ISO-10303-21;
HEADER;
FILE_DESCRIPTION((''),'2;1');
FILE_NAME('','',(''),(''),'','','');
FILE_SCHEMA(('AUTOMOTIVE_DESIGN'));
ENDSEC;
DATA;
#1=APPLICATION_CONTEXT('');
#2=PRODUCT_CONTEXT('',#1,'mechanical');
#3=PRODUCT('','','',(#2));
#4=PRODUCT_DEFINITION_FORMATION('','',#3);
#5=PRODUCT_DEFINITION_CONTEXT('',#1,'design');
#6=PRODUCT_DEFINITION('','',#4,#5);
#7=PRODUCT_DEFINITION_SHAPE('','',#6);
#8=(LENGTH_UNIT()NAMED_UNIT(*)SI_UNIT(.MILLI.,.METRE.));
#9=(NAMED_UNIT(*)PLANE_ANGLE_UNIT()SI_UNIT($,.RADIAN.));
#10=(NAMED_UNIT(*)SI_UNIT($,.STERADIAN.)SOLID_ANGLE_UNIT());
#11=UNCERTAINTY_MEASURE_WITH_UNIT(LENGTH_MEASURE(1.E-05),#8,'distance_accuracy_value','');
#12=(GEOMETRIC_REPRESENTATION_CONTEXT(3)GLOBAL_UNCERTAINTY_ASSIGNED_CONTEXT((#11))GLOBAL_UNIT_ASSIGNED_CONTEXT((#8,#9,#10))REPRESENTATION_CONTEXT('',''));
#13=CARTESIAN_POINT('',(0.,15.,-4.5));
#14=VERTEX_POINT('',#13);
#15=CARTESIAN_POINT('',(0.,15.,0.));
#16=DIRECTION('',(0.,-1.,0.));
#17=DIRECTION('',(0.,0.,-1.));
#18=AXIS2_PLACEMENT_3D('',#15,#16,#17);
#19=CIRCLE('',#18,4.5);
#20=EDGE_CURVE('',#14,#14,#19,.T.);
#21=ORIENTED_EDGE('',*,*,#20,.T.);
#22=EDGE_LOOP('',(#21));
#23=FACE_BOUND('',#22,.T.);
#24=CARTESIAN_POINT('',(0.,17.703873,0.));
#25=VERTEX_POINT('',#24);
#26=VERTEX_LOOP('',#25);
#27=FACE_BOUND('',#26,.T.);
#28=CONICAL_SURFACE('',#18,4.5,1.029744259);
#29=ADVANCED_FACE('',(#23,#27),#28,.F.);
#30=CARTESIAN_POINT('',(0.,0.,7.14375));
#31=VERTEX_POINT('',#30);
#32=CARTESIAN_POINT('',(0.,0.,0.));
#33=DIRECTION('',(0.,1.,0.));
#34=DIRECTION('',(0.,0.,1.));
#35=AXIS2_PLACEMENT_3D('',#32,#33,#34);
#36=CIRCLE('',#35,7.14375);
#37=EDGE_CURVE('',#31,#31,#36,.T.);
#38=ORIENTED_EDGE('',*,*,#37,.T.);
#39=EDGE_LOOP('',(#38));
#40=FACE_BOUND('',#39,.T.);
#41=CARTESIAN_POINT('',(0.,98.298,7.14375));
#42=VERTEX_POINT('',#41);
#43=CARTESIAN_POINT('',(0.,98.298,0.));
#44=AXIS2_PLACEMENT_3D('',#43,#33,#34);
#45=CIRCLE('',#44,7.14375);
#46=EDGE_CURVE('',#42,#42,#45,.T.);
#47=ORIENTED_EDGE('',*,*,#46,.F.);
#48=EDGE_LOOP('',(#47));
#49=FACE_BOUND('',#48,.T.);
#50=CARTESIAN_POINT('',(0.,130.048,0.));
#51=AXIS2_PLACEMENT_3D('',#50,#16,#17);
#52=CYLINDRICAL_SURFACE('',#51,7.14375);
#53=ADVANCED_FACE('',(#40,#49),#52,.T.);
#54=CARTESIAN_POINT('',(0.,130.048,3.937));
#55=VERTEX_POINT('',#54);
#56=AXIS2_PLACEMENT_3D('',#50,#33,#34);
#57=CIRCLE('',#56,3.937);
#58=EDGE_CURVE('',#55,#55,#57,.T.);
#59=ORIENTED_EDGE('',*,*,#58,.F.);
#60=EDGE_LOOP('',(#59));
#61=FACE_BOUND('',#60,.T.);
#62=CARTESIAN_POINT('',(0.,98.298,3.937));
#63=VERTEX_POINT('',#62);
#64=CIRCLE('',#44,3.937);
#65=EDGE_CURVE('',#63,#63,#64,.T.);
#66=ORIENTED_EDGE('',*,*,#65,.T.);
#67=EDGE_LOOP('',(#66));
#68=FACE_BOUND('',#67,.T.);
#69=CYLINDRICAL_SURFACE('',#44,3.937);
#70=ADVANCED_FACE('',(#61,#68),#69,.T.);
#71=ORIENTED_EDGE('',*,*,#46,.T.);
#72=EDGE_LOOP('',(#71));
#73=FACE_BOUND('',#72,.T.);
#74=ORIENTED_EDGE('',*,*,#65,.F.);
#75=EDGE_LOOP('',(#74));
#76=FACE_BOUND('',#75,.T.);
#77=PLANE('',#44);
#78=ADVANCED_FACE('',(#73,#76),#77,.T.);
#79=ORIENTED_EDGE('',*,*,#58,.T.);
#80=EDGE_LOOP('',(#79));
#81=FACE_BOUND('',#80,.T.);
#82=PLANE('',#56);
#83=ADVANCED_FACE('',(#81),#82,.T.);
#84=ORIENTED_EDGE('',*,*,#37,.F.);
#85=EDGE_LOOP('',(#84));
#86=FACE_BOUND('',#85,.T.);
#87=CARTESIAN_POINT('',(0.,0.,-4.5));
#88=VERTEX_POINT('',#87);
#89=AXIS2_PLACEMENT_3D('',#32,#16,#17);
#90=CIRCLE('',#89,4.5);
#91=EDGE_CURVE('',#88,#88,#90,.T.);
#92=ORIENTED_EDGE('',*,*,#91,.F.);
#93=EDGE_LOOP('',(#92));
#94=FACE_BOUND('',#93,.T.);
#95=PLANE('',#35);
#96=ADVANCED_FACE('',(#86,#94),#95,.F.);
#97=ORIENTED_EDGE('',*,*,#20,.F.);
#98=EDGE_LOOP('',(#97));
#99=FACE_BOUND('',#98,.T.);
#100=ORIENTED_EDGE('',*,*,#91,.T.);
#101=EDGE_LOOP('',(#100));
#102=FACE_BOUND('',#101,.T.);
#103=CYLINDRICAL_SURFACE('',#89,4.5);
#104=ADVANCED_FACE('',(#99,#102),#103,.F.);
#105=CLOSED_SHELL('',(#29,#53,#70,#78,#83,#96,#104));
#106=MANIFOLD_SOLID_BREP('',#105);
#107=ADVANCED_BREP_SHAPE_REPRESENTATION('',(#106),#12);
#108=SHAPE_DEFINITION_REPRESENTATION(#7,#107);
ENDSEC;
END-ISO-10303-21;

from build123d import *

# Parameters (mm, degrees)
SKETCH1_R                  = 7.14375
BOSS_EXTRUDE1_DEPTH        = 130.048
M10X1_0_TAPPED_HOLE1_D     = 9
M10X1_0_TAPPED_HOLE1_DEPTH = 15
M10X1_0_TAPPED_HOLE1_TIP   = 2.703872786
CUT_EXTRUDE1_START         = -31.75
SKETCH4_R                  = 7.14375
SKETCH4_R_2                = 3.937
CUT_EXTRUDE1_DEPTH         = 31.75


with BuildPart() as part:
    # Sketch1 → Boss-Extrude1 (new body)
    with BuildSketch(Plane(origin=(0, 0, 0), x_dir=(1, 0, 0), z_dir=(0, 1, 0))):
        with Locations(Location((0, 0, 0), (0, 0, 270))):
            Circle(SKETCH1_R)
    extrude(amount=BOSS_EXTRUDE1_DEPTH)

    # M10x1.0 Tapped Hole1
    with Locations(Plane.XZ):
        with Locations((0, 0)):
            Hole(M10X1_0_TAPPED_HOLE1_D / 2, depth=M10X1_0_TAPPED_HOLE1_DEPTH)
            with Locations((0, 0, -(M10X1_0_TAPPED_HOLE1_DEPTH + M10X1_0_TAPPED_HOLE1_TIP / 2))):  # 118° drill point
                Cone(0, M10X1_0_TAPPED_HOLE1_D / 2, M10X1_0_TAPPED_HOLE1_TIP, mode=Mode.SUBTRACT)

    # Sketch4 → Cut-Extrude1 (cut)
    with BuildSketch(Plane(origin=(0, 130.048, 0), x_dir=(1, 0, 0), z_dir=(0, 1, 0)).offset(CUT_EXTRUDE1_START)):
        with Locations(Location((0, 0, 0), (0, 0, 270))):
            Circle(SKETCH4_R)
        with Locations(Location((0, 0, 0), (0, 0, 270))):
            Circle(SKETCH4_R_2, mode=Mode.SUBTRACT)
    extrude(amount=CUT_EXTRUDE1_DEPTH, mode=Mode.SUBTRACT)


solid = part.part
